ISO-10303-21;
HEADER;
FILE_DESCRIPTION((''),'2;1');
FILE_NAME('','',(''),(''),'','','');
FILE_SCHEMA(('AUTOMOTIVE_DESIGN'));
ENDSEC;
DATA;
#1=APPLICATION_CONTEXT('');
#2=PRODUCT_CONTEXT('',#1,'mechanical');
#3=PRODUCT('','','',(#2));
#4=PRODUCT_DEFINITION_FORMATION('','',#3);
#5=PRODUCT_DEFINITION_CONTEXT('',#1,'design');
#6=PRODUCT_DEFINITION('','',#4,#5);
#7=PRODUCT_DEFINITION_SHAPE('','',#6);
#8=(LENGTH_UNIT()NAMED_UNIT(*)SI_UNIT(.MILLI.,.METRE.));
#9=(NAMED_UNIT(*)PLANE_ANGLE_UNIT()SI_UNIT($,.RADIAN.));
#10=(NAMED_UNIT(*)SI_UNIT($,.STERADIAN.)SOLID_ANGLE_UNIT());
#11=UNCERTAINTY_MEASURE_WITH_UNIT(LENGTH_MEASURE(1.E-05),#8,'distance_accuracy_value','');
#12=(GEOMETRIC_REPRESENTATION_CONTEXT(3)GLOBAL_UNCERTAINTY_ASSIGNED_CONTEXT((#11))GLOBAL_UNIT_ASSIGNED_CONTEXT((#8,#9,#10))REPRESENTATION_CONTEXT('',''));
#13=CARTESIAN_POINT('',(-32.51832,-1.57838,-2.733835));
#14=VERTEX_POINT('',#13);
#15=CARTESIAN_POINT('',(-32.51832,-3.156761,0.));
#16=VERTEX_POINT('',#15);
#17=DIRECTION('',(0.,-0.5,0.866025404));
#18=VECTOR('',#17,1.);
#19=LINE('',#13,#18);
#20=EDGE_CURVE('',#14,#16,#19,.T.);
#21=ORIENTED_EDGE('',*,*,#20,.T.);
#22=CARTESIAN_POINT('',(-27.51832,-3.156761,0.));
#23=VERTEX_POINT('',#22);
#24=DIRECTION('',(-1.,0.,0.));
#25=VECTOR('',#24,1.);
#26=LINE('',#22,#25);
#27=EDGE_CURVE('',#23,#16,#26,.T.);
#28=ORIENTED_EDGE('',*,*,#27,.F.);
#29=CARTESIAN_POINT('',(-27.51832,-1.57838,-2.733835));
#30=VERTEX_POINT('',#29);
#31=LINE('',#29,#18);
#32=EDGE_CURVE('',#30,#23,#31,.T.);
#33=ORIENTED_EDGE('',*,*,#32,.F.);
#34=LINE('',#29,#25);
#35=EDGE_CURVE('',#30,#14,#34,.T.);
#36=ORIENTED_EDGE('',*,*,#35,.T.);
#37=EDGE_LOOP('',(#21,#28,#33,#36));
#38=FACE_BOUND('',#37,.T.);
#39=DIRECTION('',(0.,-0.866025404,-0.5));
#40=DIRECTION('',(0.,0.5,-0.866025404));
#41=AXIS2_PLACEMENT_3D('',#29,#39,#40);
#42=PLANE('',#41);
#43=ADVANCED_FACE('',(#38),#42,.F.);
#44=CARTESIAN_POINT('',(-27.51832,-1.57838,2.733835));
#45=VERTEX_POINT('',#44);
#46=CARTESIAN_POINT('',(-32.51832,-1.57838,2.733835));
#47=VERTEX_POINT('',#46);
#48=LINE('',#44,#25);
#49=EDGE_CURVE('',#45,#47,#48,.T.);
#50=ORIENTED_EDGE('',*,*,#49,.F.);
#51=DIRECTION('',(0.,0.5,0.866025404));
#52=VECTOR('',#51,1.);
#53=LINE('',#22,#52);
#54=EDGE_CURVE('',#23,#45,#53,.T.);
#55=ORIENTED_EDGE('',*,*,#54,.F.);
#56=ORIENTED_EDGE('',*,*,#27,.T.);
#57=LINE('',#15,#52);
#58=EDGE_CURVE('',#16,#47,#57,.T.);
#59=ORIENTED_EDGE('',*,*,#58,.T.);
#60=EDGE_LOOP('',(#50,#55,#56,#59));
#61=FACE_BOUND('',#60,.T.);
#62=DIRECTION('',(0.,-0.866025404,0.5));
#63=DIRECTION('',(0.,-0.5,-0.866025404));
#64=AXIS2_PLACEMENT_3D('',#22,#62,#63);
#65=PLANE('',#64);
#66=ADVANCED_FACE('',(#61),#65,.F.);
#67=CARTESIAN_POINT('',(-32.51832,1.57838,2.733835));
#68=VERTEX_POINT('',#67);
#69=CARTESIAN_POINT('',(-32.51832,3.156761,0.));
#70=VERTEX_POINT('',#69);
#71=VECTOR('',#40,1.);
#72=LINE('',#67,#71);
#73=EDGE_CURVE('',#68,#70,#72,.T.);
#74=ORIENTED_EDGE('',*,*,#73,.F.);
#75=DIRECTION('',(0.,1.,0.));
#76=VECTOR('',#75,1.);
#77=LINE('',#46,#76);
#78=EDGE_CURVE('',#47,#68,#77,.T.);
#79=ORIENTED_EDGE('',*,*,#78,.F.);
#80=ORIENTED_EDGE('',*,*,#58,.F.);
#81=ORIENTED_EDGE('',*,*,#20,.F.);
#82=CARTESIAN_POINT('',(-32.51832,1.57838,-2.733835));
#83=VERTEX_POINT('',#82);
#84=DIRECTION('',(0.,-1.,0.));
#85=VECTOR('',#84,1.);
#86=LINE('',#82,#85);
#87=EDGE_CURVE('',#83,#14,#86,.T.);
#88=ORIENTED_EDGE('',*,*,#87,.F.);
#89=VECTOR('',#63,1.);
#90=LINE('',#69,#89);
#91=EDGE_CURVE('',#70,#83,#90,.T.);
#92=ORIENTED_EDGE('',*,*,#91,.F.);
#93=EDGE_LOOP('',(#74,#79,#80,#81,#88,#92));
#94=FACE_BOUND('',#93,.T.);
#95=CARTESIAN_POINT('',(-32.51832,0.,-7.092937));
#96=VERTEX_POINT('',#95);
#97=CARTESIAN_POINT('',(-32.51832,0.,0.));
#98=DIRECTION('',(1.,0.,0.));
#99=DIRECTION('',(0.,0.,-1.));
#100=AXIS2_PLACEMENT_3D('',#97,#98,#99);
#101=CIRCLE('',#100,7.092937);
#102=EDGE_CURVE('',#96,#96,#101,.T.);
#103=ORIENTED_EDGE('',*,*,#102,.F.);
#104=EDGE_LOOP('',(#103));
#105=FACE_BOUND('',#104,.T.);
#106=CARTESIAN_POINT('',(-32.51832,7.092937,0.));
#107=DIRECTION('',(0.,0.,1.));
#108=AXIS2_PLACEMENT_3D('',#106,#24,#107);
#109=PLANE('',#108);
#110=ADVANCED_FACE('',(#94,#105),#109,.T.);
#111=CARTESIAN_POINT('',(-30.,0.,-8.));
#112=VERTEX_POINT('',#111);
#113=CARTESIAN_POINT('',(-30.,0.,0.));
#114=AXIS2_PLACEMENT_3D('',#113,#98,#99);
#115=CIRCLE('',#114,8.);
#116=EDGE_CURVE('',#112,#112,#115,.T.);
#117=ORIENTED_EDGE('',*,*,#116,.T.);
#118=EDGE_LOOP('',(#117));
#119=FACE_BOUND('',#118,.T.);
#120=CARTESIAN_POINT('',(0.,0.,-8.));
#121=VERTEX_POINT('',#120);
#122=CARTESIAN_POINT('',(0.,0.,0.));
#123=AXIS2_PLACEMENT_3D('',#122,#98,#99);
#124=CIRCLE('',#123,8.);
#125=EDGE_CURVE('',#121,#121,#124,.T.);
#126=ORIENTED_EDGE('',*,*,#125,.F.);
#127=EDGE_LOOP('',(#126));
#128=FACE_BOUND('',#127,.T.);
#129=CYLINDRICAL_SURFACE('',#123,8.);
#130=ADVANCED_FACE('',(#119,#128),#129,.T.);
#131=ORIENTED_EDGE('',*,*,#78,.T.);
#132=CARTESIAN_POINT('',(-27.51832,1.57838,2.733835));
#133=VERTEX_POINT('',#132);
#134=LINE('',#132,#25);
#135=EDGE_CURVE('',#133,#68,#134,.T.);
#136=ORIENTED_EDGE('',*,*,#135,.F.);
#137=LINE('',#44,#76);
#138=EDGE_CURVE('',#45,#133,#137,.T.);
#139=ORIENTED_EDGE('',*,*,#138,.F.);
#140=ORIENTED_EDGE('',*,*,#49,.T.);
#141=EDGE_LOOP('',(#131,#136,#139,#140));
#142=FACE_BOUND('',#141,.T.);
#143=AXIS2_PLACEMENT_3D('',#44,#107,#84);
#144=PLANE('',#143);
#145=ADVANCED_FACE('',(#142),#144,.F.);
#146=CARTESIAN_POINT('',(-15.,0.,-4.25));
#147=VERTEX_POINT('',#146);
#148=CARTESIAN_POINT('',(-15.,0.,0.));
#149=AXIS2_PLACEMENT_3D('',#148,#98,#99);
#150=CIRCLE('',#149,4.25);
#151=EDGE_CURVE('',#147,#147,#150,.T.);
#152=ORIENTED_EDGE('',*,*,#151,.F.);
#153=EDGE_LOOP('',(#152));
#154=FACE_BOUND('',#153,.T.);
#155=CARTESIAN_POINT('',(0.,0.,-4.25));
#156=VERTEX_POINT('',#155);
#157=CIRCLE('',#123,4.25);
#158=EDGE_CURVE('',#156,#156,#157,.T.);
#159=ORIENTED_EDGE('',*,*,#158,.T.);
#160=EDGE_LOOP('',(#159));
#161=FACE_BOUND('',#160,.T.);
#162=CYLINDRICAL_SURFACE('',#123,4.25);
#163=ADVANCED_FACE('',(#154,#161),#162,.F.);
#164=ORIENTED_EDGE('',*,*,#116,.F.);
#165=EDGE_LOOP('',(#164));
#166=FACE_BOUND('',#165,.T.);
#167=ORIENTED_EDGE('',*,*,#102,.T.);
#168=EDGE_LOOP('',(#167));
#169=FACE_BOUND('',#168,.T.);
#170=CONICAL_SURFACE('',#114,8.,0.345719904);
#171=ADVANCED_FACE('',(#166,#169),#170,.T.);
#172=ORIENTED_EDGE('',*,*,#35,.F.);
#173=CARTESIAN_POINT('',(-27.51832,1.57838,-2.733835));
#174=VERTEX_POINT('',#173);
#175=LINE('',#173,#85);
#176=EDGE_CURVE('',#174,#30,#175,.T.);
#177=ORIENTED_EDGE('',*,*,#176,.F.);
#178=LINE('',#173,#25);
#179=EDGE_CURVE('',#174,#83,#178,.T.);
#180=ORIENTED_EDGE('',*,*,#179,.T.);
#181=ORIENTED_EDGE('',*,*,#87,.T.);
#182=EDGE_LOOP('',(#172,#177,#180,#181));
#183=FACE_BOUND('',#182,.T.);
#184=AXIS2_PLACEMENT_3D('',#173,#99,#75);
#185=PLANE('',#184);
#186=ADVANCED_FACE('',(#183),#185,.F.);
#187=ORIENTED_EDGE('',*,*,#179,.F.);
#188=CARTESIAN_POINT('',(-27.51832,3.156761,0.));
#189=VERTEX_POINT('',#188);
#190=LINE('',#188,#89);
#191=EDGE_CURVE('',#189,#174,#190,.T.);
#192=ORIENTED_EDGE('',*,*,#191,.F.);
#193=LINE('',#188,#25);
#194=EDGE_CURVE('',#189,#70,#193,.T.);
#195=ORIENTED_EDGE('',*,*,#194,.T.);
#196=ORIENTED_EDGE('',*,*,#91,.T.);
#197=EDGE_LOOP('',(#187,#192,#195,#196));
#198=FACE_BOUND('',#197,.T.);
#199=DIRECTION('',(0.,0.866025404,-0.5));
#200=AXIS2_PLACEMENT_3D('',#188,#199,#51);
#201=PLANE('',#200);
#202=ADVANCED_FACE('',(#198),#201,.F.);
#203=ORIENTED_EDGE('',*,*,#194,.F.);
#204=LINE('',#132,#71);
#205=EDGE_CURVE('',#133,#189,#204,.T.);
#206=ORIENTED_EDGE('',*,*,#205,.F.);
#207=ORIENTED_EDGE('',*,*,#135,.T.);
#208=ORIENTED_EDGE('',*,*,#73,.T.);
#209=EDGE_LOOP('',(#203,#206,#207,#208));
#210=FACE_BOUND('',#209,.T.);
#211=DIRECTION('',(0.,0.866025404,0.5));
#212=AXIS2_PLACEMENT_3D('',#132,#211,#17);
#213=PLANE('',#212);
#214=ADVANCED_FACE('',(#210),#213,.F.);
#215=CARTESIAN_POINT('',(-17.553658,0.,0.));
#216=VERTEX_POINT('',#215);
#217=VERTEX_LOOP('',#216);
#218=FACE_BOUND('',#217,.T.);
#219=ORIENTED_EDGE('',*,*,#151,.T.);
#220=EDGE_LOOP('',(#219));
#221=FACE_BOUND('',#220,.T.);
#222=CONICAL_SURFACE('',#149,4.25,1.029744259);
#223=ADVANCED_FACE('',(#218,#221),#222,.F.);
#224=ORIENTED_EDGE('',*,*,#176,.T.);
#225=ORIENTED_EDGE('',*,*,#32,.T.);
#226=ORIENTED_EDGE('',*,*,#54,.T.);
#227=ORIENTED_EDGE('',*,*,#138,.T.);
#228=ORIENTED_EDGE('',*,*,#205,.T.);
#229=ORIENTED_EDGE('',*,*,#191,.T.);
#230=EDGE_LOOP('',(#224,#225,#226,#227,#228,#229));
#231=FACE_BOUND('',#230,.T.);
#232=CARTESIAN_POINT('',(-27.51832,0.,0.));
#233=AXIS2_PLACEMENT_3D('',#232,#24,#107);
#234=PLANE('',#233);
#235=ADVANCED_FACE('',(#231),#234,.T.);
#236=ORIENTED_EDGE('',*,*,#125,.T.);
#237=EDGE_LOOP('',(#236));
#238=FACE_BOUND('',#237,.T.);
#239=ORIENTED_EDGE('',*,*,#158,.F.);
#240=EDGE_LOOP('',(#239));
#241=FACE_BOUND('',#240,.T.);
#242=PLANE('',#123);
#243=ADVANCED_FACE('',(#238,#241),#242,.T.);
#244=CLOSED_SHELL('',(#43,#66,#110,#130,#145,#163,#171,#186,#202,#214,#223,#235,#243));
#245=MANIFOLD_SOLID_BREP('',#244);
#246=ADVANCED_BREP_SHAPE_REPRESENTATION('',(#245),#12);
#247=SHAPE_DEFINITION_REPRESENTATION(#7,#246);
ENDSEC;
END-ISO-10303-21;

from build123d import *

# Parameters (mm, degrees)
TALADRO_ROSCADO_M101_D     = 8.5
TALADRO_ROSCADO_M101_DEPTH = 15
TALADRO_ROSCADO_M101_TIP   = 2.553657631
CORTAR_EXTRUIR1_DEPTH      = 5


with BuildPart() as part:
    # Sketch1 → Revolve1 (revolve)
    with BuildSketch(Plane.XY, mode=Mode.PRIVATE) as revolve1_sk:
        Polygon((0, 0), (-32.518320182, 0), (-32.518320182, 7.092937258), (-30, 8), (0, 8), align=None)
    revolve(revolve1_sk.sketch.rotate(Axis((0, 0, 0), (-1, 0, 0)), 90), axis=Axis((0, 0, 0), (-1, 0, 0)))

    # Taladro roscado M101
    with Locations(Plane(origin=(0, 0, 0), x_dir=(0, 0, -1), z_dir=(1, 0, 0))):
        with Locations((0, 0)):
            Hole(TALADRO_ROSCADO_M101_D / 2, depth=TALADRO_ROSCADO_M101_DEPTH)
            with Locations((0, 0, -(TALADRO_ROSCADO_M101_DEPTH + TALADRO_ROSCADO_M101_TIP / 2))):  # 118° drill point
                Cone(0, TALADRO_ROSCADO_M101_D / 2, TALADRO_ROSCADO_M101_TIP, mode=Mode.SUBTRACT)

    # Croquis3 → Cortar-Extruir1 (cut)
    with BuildSketch(Plane.ZY.offset(32.518320182)):
        Polygon((0, -3.156760752), (2.733835005, -1.578380376), (2.733835005, 1.578380376), (0, 3.156760752), (-2.733835005, 1.578380376), (-2.733835005, -1.578380376), align=None)
    extrude(amount=-CORTAR_EXTRUIR1_DEPTH, mode=Mode.SUBTRACT)


solid = part.part
